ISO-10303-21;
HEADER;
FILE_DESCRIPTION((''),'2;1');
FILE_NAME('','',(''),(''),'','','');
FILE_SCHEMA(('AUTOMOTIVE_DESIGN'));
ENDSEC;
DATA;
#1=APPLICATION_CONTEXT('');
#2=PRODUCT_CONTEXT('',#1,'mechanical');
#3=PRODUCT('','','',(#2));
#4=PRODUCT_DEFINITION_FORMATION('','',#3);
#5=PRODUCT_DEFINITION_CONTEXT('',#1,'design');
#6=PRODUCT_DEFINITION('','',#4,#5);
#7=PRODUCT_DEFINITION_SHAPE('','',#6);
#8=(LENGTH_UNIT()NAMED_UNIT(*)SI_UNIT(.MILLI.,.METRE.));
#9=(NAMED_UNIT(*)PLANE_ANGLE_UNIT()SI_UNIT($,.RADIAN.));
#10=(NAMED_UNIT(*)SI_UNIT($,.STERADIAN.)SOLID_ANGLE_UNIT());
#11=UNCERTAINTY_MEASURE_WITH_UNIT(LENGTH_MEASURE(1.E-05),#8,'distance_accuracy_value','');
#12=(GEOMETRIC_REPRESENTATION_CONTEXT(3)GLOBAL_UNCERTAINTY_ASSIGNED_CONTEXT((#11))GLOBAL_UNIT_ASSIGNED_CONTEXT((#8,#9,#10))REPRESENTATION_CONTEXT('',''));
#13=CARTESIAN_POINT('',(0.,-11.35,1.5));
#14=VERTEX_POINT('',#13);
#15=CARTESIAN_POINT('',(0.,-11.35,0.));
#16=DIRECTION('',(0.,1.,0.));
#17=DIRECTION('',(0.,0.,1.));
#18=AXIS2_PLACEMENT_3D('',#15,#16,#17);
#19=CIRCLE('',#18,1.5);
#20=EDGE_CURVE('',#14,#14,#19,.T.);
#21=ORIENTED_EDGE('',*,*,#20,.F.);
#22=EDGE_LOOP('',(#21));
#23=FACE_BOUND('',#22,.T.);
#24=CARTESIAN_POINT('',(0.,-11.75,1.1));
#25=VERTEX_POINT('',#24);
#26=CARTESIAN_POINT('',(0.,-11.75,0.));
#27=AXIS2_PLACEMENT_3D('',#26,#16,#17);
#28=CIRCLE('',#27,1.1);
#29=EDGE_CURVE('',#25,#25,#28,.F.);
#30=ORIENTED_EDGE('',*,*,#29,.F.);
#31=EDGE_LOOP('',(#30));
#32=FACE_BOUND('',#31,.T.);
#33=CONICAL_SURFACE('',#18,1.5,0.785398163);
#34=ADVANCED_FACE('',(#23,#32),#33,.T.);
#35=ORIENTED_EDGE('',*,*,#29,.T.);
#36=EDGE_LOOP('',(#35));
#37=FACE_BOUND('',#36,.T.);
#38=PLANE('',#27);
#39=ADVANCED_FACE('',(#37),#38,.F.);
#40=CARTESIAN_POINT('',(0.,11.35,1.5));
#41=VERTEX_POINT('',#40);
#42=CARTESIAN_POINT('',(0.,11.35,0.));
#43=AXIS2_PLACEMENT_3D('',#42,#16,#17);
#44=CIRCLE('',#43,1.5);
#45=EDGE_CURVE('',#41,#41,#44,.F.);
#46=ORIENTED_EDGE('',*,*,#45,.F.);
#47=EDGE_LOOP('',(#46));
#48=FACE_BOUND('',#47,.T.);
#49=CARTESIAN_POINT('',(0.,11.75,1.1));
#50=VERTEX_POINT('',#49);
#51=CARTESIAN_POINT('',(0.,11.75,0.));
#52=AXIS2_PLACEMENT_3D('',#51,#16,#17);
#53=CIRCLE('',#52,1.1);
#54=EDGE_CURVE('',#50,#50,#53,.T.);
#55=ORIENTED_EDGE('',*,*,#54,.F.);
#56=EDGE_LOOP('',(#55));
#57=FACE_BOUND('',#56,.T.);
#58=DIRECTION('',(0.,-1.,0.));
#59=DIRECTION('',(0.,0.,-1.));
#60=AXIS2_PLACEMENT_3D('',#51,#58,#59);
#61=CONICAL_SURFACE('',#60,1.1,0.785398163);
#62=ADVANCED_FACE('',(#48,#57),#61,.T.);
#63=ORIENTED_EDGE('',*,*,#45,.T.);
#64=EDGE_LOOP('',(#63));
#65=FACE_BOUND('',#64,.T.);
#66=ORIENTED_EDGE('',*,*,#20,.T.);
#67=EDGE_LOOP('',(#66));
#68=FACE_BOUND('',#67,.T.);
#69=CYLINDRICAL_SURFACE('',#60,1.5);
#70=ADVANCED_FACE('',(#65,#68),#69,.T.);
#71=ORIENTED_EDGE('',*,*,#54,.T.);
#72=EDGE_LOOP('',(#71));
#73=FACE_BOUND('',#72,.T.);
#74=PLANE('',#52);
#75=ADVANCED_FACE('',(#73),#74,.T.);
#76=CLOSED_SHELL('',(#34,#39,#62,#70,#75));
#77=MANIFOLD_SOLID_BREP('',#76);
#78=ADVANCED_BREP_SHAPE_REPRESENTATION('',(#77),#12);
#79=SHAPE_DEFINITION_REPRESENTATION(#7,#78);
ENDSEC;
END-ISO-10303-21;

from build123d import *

# Parameters (mm, degrees)
SKETCH1_R           = 1.5
BOSS_EXTRUDE1_DEPTH = 11.75
CHAMFER1_SIZE       = 0.4


with BuildPart() as part:
    # Sketch1 → Boss-Extrude1 (new body, symmetric)
    with BuildSketch(Plane(origin=(0, 0, 0), x_dir=(1, 0, 0), z_dir=(0, 1, 0))):
        Circle(SKETCH1_R)
    extrude(amount=BOSS_EXTRUDE1_DEPTH, both=True)

    # Chamfer1
    chamfer1_edges = [part.edges().sort_by_distance(p)[0] for p in [
        (-1.5, -11.75, 0),
        (-1.5, 11.75, 0),
    ]]
    chamfer(chamfer1_edges, length=CHAMFER1_SIZE)


solid = part.part
